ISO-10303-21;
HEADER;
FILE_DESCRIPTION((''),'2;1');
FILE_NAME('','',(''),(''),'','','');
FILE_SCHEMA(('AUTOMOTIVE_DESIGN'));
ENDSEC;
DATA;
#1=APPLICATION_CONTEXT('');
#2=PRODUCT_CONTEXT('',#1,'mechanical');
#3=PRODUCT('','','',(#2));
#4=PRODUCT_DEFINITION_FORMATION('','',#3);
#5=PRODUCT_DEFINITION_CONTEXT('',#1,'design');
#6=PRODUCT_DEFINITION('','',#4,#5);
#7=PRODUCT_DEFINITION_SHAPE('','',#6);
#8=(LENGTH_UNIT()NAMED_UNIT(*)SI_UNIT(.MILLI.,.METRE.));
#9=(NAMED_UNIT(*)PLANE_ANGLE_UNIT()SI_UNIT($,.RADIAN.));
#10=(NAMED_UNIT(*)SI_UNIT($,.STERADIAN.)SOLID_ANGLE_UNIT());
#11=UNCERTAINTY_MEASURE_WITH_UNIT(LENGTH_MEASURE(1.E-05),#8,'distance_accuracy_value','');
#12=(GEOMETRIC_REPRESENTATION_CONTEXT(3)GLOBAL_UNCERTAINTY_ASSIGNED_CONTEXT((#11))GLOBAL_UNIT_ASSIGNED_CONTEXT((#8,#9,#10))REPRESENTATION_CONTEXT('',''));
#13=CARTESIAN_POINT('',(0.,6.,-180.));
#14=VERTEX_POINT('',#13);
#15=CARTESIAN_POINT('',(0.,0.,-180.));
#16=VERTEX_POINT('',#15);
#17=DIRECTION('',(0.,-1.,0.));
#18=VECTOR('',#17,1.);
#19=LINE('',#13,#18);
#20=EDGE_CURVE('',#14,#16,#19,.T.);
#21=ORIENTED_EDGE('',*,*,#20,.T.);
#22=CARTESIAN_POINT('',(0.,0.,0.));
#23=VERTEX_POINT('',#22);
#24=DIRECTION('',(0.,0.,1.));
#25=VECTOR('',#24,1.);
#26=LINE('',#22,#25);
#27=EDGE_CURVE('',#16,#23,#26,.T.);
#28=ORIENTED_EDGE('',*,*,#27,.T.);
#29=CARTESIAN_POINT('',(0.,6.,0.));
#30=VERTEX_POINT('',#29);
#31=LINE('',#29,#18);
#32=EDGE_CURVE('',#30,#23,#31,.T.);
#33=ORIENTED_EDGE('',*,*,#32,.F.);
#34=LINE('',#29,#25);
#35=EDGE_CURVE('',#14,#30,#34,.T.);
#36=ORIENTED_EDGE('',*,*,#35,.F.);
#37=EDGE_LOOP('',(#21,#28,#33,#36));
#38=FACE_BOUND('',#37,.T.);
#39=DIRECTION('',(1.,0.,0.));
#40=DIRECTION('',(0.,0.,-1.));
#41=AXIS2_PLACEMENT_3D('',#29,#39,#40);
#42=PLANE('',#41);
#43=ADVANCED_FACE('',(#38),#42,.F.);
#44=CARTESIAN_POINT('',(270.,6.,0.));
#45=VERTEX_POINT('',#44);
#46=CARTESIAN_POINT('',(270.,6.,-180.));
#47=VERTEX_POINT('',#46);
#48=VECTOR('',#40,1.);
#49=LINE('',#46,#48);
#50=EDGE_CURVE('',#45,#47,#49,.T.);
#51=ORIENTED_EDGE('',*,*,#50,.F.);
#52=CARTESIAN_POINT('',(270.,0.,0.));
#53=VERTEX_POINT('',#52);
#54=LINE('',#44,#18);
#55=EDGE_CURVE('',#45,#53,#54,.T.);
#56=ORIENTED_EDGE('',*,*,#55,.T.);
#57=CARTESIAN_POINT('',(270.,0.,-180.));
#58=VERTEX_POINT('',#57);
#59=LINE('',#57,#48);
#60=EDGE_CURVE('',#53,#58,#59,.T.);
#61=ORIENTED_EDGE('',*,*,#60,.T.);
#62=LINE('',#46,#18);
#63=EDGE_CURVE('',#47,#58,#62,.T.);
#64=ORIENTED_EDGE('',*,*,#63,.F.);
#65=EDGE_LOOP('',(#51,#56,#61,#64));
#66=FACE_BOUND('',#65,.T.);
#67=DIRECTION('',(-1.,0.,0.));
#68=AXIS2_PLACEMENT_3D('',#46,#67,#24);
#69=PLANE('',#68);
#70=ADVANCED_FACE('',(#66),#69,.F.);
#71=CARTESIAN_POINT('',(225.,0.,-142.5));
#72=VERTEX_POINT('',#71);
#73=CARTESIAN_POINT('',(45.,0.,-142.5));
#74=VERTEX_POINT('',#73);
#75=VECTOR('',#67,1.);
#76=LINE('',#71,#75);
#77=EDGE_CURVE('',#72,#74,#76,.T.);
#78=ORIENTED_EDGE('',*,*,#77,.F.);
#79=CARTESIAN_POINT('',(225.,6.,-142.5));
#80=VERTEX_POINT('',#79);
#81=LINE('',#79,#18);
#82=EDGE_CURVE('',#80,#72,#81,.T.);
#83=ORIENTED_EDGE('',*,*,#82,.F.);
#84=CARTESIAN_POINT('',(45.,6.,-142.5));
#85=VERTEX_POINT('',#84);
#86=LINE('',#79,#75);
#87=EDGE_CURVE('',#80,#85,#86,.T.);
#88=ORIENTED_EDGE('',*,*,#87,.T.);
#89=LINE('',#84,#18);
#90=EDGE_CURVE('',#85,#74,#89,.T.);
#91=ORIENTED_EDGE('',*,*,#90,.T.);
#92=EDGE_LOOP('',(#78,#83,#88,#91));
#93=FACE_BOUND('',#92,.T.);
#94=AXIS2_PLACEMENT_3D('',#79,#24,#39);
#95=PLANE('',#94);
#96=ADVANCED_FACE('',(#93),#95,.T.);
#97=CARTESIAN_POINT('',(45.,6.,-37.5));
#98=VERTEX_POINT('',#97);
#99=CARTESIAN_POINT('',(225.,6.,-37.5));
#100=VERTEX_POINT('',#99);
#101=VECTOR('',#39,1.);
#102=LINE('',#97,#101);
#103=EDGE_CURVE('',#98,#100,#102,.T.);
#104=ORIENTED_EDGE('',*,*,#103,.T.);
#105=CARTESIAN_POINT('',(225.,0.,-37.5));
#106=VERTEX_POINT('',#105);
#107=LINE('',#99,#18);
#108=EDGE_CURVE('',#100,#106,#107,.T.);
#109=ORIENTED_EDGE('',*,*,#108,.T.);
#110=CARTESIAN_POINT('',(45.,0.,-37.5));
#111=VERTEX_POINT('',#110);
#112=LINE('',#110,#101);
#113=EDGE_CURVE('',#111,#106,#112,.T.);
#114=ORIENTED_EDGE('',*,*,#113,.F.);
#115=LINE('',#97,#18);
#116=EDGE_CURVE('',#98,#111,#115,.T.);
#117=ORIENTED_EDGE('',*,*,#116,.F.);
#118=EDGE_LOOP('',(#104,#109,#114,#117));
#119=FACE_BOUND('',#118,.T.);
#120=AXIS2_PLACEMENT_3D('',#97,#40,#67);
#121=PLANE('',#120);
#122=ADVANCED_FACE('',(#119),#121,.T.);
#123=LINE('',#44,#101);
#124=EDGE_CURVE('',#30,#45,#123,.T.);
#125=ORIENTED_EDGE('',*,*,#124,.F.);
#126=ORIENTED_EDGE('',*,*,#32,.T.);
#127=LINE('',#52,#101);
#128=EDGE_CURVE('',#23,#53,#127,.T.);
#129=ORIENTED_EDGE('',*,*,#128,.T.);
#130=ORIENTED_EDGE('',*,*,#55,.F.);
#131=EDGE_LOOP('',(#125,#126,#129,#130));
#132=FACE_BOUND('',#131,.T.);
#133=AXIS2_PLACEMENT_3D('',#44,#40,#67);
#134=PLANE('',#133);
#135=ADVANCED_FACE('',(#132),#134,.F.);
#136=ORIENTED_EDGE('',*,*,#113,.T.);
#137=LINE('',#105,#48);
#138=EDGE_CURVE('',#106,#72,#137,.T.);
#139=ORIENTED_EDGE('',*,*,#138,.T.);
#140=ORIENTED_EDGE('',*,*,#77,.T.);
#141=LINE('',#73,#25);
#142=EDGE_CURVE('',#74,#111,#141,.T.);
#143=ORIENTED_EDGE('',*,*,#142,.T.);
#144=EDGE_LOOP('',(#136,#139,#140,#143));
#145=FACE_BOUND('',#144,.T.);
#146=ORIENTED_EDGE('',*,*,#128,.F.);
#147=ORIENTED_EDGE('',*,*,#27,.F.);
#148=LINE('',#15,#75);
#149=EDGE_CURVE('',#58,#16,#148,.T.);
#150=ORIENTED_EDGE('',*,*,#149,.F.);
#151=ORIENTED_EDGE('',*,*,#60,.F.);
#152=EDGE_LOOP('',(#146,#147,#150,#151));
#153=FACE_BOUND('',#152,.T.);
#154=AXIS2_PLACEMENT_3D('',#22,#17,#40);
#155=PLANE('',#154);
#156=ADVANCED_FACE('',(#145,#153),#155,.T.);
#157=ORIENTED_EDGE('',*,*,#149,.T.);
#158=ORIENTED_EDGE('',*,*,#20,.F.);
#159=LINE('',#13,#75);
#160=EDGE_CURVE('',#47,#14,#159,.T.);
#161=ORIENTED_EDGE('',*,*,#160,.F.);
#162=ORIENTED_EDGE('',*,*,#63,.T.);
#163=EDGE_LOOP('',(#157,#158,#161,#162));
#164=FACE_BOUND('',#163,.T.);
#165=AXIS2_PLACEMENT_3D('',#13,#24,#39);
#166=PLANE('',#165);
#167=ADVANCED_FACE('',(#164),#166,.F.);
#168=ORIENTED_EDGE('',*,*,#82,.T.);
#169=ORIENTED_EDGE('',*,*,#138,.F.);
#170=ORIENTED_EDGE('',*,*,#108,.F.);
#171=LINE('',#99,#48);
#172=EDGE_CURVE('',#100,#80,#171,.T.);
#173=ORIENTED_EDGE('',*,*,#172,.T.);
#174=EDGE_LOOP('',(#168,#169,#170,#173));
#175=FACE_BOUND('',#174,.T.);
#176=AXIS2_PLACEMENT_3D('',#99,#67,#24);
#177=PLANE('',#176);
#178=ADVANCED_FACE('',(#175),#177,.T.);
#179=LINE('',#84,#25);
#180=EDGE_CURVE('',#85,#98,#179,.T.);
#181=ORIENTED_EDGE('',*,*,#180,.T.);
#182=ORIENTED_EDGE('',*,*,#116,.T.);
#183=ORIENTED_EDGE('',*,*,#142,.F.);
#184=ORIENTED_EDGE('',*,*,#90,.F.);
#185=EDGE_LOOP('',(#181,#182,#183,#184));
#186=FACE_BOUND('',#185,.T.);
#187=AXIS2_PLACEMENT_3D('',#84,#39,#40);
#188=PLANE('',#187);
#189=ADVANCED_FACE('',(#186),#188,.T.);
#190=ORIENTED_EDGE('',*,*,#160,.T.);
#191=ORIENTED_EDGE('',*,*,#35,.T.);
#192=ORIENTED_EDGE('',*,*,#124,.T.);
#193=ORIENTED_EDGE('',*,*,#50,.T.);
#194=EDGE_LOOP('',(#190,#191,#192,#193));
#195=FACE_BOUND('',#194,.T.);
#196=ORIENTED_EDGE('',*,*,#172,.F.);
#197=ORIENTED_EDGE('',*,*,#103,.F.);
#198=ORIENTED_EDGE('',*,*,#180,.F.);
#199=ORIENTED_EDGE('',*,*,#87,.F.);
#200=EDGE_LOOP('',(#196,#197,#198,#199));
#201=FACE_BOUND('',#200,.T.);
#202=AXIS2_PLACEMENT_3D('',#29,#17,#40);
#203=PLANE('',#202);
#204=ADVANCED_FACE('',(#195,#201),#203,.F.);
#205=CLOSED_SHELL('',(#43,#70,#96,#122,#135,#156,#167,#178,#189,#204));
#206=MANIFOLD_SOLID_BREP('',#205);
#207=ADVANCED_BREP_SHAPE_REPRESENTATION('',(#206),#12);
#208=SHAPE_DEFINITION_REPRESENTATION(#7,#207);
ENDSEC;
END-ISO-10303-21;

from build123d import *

# Parameters (mm, degrees)
ESBO_O1_W                = 270
ESBO_O1_H                = 180
ESBO_O1_W_2              = 180
ESBO_O1_H_2              = 105
RESSALTO_EXTRUS_O1_DEPTH = 6


with BuildPart() as part:
    # Esboço1 → Ressalto-extrusão1 (new body)
    with BuildSketch(Plane(origin=(0, 0, 0), x_dir=(1, 0, 0), z_dir=(0, 1, 0))):
        with Locations((135, 90)):
            Rectangle(ESBO_O1_W, ESBO_O1_H)
        with Locations((135, 90)):
            Rectangle(ESBO_O1_W_2, ESBO_O1_H_2, mode=Mode.SUBTRACT)
    extrude(amount=RESSALTO_EXTRUS_O1_DEPTH)


solid = part.part
